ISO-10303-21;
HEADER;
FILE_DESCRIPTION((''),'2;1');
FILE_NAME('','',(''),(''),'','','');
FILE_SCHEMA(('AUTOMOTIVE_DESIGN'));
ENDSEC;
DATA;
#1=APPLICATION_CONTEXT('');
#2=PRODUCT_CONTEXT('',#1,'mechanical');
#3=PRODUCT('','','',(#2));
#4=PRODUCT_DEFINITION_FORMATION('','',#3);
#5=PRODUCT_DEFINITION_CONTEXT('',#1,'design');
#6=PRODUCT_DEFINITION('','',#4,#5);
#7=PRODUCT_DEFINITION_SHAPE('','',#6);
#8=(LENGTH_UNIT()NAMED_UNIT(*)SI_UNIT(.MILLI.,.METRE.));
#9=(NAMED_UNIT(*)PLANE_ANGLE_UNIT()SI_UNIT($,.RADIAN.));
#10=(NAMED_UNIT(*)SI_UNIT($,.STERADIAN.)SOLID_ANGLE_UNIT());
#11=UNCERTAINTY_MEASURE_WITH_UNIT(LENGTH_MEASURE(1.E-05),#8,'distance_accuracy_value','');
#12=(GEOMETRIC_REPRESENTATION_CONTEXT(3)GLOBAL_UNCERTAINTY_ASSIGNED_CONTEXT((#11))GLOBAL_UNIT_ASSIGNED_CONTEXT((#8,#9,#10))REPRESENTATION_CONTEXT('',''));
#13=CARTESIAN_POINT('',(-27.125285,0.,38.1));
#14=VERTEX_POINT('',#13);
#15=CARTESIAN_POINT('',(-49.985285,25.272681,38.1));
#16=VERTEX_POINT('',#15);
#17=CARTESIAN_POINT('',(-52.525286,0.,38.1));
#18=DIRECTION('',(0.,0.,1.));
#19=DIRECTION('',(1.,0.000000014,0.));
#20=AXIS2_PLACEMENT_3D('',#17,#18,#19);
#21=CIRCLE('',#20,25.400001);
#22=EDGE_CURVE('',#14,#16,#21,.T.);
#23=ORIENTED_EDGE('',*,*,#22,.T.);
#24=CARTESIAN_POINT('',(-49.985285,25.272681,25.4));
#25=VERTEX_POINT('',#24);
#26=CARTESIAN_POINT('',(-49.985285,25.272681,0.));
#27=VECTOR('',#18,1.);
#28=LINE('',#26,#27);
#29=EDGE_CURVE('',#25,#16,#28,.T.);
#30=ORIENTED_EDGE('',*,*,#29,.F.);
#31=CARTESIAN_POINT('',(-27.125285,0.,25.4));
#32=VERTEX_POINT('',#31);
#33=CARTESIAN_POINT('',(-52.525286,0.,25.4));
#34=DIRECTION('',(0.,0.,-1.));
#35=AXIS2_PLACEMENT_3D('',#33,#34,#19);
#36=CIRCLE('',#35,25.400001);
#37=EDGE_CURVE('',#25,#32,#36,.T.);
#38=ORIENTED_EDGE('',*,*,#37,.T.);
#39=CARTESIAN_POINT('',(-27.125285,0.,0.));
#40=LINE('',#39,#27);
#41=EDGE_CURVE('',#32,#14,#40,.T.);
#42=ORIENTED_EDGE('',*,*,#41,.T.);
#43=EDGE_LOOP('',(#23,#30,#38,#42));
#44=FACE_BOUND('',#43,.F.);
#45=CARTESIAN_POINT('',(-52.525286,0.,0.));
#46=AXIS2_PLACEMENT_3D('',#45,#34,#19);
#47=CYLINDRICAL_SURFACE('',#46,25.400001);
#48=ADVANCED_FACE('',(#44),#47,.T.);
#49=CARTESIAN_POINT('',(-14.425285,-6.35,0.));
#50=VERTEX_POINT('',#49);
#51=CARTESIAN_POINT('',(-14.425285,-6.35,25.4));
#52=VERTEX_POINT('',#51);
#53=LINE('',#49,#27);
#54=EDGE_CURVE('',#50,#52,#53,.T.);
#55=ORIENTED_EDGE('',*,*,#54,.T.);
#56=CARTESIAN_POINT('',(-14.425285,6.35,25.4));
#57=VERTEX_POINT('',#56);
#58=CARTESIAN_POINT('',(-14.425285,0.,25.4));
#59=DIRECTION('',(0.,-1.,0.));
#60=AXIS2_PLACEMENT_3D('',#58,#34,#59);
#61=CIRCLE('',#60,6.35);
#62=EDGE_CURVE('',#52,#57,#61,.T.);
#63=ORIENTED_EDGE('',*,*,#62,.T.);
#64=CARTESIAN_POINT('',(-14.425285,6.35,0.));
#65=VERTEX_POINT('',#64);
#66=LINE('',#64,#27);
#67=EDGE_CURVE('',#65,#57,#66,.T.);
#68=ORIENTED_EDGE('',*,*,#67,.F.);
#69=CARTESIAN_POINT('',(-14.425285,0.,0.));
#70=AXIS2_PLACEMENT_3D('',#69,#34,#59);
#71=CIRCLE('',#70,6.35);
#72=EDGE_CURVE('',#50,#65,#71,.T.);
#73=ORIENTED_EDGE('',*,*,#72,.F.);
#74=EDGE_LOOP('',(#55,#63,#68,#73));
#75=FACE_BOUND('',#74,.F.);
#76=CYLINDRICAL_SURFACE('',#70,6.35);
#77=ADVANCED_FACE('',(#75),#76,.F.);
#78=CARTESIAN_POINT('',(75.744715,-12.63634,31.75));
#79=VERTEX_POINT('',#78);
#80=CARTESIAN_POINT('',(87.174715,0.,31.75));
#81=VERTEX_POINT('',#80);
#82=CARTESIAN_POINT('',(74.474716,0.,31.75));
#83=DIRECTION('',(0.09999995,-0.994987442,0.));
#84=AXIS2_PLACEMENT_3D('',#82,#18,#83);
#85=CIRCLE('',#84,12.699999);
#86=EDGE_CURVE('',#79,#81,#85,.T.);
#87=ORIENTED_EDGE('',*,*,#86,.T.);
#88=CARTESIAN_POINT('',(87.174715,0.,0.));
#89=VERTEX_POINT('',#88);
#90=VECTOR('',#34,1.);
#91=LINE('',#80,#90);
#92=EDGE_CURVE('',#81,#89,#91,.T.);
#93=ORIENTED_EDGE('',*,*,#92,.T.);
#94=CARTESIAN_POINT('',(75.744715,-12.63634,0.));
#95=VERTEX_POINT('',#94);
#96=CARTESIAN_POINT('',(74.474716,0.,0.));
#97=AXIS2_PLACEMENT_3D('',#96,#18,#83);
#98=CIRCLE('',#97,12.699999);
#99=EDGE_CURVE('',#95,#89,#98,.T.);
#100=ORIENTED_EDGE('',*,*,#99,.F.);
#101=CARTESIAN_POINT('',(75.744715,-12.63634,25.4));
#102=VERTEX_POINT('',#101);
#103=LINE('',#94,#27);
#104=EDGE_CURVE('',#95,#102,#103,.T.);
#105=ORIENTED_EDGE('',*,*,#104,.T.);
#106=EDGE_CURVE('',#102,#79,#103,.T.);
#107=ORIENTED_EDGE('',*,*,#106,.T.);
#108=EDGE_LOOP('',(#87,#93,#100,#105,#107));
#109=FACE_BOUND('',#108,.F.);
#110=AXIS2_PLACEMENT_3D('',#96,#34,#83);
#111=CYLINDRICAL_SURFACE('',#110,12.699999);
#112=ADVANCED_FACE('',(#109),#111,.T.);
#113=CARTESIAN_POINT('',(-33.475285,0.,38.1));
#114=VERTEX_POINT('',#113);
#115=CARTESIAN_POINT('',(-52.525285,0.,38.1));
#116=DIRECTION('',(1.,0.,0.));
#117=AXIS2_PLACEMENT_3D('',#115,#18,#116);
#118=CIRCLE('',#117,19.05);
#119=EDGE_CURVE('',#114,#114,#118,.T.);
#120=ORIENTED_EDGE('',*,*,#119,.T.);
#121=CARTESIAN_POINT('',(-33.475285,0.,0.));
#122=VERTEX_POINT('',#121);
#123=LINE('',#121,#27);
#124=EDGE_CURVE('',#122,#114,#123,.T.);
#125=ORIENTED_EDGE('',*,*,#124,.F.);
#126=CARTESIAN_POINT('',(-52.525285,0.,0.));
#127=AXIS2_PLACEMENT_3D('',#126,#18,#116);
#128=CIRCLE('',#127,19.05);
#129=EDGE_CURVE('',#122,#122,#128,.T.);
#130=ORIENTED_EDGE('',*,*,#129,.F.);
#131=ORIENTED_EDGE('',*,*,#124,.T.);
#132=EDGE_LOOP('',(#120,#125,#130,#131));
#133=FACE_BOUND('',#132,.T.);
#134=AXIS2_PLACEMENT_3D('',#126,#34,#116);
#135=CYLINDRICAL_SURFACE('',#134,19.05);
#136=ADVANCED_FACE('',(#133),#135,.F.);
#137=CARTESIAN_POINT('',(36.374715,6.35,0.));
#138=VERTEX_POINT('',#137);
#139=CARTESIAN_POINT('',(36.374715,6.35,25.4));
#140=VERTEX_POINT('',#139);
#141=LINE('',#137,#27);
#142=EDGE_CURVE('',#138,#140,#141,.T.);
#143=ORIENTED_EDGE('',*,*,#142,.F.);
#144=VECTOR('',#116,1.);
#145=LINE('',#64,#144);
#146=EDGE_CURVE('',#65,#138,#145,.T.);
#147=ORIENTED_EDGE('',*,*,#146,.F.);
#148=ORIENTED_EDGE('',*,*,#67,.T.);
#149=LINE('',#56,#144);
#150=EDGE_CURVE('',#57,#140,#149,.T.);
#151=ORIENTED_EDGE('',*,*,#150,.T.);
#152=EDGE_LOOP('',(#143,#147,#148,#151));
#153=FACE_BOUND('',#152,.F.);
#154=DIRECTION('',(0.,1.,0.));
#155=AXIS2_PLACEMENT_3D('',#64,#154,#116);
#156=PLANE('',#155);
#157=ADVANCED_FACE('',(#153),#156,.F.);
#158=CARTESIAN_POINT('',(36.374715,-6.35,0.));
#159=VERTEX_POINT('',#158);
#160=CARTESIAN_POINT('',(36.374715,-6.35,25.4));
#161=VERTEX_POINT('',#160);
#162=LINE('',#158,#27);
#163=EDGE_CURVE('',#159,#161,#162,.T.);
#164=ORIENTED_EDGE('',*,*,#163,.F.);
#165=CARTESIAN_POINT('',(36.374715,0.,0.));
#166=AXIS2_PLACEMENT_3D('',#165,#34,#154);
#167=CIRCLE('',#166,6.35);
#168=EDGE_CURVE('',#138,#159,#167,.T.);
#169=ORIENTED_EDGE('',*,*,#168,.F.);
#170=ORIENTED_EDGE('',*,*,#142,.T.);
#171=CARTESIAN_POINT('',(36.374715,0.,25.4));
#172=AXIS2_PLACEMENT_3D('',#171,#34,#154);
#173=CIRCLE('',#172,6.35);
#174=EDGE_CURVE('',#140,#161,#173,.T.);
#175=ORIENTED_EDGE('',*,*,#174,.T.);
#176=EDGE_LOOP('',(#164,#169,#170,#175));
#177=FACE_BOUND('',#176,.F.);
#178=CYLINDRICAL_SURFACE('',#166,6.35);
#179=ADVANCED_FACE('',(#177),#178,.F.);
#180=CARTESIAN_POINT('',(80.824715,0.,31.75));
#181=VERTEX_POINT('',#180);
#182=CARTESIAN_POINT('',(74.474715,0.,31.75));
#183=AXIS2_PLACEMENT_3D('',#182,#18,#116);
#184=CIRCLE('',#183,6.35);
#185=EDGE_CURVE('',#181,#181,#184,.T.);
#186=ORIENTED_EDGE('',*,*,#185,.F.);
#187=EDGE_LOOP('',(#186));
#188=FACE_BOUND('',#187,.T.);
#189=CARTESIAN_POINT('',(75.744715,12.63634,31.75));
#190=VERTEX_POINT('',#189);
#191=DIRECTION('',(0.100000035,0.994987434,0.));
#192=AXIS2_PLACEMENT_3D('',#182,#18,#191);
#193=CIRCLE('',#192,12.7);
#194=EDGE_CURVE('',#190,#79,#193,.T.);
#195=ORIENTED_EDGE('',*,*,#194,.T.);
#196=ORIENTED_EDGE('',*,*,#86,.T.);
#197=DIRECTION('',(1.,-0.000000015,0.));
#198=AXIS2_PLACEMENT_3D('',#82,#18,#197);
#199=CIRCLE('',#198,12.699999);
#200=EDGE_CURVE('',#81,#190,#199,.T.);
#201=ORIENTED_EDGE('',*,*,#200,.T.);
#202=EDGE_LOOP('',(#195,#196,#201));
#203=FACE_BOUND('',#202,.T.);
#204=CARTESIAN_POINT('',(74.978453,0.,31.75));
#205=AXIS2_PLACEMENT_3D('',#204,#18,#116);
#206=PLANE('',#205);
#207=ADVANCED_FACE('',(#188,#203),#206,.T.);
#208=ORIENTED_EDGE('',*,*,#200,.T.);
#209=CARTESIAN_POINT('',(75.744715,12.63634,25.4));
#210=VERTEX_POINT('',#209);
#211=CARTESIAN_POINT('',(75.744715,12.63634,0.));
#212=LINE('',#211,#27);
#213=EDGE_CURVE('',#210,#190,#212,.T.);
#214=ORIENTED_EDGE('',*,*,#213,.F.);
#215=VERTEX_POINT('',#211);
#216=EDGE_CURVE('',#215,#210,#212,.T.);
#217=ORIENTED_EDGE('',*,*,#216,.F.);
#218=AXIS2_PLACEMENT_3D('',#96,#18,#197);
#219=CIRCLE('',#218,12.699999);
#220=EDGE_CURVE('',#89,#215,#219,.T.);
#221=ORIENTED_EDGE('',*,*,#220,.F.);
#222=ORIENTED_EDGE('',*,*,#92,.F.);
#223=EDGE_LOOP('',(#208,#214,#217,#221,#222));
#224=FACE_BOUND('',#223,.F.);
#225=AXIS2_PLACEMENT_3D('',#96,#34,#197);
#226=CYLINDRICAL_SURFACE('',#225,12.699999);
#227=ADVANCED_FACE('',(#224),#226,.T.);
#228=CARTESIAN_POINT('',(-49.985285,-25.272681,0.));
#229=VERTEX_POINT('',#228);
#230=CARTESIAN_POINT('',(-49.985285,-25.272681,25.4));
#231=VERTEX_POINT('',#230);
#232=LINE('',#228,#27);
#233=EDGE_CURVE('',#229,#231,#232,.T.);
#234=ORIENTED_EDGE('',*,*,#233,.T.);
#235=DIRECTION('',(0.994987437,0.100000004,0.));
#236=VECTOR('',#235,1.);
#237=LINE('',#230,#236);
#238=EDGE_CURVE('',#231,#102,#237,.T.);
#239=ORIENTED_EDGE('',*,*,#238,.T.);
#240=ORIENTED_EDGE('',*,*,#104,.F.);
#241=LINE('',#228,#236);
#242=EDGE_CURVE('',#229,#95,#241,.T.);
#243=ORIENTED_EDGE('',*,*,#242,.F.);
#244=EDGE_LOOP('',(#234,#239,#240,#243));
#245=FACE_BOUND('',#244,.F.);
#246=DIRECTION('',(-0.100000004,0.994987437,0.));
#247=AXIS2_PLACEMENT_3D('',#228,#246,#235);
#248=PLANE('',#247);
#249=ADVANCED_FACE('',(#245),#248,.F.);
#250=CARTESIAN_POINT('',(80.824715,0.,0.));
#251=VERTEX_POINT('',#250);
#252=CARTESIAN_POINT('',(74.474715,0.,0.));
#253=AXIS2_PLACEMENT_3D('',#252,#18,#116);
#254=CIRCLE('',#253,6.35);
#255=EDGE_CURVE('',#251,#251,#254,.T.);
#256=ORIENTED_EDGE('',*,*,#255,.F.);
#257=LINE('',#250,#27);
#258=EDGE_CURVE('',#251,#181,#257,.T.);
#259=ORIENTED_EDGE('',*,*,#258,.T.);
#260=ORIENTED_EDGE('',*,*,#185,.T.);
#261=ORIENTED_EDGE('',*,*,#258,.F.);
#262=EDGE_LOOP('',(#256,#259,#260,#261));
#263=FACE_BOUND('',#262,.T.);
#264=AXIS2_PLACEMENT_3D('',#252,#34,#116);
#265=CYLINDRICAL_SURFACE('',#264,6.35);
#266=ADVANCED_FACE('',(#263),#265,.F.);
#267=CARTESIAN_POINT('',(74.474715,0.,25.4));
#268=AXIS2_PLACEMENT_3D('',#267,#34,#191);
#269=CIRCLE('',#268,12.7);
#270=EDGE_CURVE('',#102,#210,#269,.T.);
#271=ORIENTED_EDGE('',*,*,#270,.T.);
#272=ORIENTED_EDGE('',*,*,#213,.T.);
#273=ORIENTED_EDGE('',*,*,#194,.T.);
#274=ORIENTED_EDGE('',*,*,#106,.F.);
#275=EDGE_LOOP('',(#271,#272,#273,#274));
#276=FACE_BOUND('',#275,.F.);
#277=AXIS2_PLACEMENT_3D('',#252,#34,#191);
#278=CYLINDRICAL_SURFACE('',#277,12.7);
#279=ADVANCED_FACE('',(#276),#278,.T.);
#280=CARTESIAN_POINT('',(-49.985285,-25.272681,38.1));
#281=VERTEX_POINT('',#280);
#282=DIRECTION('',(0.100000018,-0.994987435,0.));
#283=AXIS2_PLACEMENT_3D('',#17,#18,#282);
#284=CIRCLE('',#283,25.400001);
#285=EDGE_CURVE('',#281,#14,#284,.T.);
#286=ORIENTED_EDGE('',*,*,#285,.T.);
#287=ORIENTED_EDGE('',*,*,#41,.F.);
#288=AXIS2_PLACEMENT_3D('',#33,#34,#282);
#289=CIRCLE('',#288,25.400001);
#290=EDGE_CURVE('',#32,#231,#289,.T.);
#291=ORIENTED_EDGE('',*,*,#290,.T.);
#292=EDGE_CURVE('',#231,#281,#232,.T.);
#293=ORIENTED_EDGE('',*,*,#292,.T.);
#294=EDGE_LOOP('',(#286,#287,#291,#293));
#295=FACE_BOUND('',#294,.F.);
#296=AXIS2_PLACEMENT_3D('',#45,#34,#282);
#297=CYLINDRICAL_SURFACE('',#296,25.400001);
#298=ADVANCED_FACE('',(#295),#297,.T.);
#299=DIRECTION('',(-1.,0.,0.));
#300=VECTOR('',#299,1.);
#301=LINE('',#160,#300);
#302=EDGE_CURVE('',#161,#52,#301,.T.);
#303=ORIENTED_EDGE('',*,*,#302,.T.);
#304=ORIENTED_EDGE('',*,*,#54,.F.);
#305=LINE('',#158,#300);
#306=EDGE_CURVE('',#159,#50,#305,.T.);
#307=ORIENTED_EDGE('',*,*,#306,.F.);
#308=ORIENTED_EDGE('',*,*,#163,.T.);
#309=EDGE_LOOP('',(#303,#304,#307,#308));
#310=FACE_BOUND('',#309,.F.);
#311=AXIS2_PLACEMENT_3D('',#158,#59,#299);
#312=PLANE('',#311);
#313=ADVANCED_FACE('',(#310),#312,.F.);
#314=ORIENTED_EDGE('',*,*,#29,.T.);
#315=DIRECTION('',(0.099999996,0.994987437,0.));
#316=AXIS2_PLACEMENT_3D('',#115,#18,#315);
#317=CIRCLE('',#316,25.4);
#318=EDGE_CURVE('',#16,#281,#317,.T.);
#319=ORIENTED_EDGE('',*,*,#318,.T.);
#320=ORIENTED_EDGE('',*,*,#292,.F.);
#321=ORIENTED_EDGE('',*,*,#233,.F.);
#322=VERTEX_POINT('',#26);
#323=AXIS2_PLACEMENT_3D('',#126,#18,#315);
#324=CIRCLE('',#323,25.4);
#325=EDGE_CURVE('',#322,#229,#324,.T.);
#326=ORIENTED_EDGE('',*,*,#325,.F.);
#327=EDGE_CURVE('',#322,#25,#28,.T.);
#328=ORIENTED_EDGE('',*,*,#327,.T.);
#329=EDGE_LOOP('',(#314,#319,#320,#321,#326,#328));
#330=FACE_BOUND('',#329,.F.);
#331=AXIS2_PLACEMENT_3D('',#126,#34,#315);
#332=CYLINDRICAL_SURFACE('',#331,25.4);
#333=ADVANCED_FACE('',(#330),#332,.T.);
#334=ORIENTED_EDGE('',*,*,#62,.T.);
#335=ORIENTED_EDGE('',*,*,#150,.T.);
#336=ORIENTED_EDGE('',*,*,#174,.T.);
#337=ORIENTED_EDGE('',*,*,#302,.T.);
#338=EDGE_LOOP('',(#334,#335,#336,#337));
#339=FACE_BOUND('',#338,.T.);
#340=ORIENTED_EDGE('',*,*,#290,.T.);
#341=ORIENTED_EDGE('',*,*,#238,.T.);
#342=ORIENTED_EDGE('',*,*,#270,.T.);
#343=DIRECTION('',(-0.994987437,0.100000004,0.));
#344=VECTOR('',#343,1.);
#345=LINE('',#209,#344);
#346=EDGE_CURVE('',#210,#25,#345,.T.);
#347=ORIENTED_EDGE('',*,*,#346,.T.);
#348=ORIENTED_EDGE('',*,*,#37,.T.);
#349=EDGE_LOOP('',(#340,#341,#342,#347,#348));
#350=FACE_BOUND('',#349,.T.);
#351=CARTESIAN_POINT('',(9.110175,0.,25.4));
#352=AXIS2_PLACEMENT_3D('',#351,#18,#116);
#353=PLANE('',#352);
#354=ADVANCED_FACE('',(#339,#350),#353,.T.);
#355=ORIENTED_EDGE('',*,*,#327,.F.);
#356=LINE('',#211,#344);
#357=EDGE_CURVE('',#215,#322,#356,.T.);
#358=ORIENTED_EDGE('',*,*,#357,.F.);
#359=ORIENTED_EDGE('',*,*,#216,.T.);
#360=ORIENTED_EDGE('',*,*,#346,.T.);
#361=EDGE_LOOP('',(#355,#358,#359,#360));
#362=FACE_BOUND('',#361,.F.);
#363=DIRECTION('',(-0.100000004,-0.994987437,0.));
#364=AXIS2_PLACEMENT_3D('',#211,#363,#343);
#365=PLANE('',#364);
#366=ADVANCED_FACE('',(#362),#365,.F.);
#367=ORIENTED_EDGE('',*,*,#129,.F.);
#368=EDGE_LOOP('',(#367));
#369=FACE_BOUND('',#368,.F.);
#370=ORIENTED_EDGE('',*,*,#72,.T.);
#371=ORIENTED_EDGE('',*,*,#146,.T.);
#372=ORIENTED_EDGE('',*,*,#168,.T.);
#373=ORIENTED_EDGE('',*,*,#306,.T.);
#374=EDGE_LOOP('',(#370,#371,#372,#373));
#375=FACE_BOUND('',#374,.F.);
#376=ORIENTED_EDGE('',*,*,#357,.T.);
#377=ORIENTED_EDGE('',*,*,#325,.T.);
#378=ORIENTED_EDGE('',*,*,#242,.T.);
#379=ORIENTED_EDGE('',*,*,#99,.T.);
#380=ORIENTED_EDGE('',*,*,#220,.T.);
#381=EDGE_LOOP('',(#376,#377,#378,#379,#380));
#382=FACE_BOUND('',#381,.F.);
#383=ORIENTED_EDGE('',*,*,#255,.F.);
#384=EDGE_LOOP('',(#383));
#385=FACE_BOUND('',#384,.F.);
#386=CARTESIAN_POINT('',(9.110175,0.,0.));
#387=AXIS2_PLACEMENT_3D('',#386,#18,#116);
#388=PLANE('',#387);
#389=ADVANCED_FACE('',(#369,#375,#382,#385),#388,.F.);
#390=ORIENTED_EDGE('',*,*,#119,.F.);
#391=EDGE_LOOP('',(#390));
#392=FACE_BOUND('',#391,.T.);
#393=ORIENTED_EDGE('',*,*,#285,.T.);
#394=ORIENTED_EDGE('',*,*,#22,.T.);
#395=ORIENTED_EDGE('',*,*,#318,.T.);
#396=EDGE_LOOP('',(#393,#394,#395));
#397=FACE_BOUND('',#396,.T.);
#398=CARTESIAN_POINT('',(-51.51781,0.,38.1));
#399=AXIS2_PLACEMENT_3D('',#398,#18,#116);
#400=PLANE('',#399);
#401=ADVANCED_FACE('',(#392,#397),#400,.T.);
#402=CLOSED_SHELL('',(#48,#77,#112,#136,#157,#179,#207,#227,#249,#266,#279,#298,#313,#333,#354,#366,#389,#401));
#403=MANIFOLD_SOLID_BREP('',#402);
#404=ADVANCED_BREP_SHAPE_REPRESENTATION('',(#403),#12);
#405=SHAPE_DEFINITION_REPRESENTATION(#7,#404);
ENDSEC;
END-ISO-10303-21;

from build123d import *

# Parameters (mm, degrees)
F0_R     = 19.05
F0_R_2   = 6.35
F1_DEPTH = 25.4
F2_DEPTH = 38.1
F3_DEPTH = 31.75


with BuildPart() as f1:
    # F0 (on Top) → F1 (new body)
    with BuildSketch(Plane.XY):
        with BuildLine():
            ThreePointArc((-49.985285, 25.272681), (-33.688141, 17.038838), (-27.125285, 0))
            ThreePointArc((-27.125285, 0), (-33.688141, -17.038838), (-49.985285, -25.272681))
            Line((-49.985285, -25.272681), (75.744715, -12.63634))
            ThreePointArc((75.744715, -12.63634), (61.774715, 0), (75.744715, 12.63634))
            Line((75.744715, 12.63634), (-49.985285, 25.272681))
        make_face()
        with BuildLine():
            ThreePointArc((-14.425285, -6.35), (-20.775285, 0), (-14.425285, 6.35))
            Line((-14.425285, 6.35), (36.374715, 6.35))
            ThreePointArc((36.374715, 6.35), (42.724715, 0), (36.374715, -6.35))
            Line((36.374715, -6.35), (-14.425285, -6.35))
        make_face(mode=Mode.SUBTRACT)
        with BuildLine():
            ThreePointArc((-49.985285, -25.272681), (-33.688141, -17.038838), (-27.125285, 0))
            ThreePointArc((-27.125285, 0), (-33.688141, 17.038838), (-49.985285, 25.272681))
            ThreePointArc((-49.985285, 25.272681), (-77.925285, 0), (-49.985285, -25.272681))
        make_face()
        with Locations((-52.525285, 0)):
            Circle(F0_R, mode=Mode.SUBTRACT)
        with BuildLine():
            ThreePointArc((87.174715, 0), (83.893287, 8.519419), (75.744715, 12.63634))
            ThreePointArc((75.744715, 12.63634), (61.774715, 0), (75.744715, -12.63634))
            ThreePointArc((75.744715, -12.63634), (83.893287, -8.519419), (87.174715, 0))
        make_face()
        with Locations((74.474715, 0)):
            Circle(F0_R_2, mode=Mode.SUBTRACT)
    extrude(amount=F1_DEPTH)

    # F0 (on Top) → F2 (join)
    with BuildSketch(Plane.XY):
        with BuildLine():
            ThreePointArc((-49.985285, -25.272681), (-33.688141, -17.038838), (-27.125285, 0))
            ThreePointArc((-27.125285, 0), (-33.688141, 17.038838), (-49.985285, 25.272681))
            ThreePointArc((-49.985285, 25.272681), (-77.925285, 0), (-49.985285, -25.272681))
        make_face()
        with Locations((-52.525285, 0)):
            Circle(F0_R, mode=Mode.SUBTRACT)
    extrude(amount=F2_DEPTH)

    # F0 (on Top) → F3 (join)
    with BuildSketch(Plane.XY):
        with BuildLine():
            ThreePointArc((87.174715, 0), (83.893287, 8.519419), (75.744715, 12.63634))
            ThreePointArc((75.744715, 12.63634), (61.774715, 0), (75.744715, -12.63634))
            ThreePointArc((75.744715, -12.63634), (83.893287, -8.519419), (87.174715, 0))
        make_face()
        with Locations((74.474715, 0)):
            Circle(F0_R_2, mode=Mode.SUBTRACT)
    extrude(amount=F3_DEPTH)


solid = f1.part
